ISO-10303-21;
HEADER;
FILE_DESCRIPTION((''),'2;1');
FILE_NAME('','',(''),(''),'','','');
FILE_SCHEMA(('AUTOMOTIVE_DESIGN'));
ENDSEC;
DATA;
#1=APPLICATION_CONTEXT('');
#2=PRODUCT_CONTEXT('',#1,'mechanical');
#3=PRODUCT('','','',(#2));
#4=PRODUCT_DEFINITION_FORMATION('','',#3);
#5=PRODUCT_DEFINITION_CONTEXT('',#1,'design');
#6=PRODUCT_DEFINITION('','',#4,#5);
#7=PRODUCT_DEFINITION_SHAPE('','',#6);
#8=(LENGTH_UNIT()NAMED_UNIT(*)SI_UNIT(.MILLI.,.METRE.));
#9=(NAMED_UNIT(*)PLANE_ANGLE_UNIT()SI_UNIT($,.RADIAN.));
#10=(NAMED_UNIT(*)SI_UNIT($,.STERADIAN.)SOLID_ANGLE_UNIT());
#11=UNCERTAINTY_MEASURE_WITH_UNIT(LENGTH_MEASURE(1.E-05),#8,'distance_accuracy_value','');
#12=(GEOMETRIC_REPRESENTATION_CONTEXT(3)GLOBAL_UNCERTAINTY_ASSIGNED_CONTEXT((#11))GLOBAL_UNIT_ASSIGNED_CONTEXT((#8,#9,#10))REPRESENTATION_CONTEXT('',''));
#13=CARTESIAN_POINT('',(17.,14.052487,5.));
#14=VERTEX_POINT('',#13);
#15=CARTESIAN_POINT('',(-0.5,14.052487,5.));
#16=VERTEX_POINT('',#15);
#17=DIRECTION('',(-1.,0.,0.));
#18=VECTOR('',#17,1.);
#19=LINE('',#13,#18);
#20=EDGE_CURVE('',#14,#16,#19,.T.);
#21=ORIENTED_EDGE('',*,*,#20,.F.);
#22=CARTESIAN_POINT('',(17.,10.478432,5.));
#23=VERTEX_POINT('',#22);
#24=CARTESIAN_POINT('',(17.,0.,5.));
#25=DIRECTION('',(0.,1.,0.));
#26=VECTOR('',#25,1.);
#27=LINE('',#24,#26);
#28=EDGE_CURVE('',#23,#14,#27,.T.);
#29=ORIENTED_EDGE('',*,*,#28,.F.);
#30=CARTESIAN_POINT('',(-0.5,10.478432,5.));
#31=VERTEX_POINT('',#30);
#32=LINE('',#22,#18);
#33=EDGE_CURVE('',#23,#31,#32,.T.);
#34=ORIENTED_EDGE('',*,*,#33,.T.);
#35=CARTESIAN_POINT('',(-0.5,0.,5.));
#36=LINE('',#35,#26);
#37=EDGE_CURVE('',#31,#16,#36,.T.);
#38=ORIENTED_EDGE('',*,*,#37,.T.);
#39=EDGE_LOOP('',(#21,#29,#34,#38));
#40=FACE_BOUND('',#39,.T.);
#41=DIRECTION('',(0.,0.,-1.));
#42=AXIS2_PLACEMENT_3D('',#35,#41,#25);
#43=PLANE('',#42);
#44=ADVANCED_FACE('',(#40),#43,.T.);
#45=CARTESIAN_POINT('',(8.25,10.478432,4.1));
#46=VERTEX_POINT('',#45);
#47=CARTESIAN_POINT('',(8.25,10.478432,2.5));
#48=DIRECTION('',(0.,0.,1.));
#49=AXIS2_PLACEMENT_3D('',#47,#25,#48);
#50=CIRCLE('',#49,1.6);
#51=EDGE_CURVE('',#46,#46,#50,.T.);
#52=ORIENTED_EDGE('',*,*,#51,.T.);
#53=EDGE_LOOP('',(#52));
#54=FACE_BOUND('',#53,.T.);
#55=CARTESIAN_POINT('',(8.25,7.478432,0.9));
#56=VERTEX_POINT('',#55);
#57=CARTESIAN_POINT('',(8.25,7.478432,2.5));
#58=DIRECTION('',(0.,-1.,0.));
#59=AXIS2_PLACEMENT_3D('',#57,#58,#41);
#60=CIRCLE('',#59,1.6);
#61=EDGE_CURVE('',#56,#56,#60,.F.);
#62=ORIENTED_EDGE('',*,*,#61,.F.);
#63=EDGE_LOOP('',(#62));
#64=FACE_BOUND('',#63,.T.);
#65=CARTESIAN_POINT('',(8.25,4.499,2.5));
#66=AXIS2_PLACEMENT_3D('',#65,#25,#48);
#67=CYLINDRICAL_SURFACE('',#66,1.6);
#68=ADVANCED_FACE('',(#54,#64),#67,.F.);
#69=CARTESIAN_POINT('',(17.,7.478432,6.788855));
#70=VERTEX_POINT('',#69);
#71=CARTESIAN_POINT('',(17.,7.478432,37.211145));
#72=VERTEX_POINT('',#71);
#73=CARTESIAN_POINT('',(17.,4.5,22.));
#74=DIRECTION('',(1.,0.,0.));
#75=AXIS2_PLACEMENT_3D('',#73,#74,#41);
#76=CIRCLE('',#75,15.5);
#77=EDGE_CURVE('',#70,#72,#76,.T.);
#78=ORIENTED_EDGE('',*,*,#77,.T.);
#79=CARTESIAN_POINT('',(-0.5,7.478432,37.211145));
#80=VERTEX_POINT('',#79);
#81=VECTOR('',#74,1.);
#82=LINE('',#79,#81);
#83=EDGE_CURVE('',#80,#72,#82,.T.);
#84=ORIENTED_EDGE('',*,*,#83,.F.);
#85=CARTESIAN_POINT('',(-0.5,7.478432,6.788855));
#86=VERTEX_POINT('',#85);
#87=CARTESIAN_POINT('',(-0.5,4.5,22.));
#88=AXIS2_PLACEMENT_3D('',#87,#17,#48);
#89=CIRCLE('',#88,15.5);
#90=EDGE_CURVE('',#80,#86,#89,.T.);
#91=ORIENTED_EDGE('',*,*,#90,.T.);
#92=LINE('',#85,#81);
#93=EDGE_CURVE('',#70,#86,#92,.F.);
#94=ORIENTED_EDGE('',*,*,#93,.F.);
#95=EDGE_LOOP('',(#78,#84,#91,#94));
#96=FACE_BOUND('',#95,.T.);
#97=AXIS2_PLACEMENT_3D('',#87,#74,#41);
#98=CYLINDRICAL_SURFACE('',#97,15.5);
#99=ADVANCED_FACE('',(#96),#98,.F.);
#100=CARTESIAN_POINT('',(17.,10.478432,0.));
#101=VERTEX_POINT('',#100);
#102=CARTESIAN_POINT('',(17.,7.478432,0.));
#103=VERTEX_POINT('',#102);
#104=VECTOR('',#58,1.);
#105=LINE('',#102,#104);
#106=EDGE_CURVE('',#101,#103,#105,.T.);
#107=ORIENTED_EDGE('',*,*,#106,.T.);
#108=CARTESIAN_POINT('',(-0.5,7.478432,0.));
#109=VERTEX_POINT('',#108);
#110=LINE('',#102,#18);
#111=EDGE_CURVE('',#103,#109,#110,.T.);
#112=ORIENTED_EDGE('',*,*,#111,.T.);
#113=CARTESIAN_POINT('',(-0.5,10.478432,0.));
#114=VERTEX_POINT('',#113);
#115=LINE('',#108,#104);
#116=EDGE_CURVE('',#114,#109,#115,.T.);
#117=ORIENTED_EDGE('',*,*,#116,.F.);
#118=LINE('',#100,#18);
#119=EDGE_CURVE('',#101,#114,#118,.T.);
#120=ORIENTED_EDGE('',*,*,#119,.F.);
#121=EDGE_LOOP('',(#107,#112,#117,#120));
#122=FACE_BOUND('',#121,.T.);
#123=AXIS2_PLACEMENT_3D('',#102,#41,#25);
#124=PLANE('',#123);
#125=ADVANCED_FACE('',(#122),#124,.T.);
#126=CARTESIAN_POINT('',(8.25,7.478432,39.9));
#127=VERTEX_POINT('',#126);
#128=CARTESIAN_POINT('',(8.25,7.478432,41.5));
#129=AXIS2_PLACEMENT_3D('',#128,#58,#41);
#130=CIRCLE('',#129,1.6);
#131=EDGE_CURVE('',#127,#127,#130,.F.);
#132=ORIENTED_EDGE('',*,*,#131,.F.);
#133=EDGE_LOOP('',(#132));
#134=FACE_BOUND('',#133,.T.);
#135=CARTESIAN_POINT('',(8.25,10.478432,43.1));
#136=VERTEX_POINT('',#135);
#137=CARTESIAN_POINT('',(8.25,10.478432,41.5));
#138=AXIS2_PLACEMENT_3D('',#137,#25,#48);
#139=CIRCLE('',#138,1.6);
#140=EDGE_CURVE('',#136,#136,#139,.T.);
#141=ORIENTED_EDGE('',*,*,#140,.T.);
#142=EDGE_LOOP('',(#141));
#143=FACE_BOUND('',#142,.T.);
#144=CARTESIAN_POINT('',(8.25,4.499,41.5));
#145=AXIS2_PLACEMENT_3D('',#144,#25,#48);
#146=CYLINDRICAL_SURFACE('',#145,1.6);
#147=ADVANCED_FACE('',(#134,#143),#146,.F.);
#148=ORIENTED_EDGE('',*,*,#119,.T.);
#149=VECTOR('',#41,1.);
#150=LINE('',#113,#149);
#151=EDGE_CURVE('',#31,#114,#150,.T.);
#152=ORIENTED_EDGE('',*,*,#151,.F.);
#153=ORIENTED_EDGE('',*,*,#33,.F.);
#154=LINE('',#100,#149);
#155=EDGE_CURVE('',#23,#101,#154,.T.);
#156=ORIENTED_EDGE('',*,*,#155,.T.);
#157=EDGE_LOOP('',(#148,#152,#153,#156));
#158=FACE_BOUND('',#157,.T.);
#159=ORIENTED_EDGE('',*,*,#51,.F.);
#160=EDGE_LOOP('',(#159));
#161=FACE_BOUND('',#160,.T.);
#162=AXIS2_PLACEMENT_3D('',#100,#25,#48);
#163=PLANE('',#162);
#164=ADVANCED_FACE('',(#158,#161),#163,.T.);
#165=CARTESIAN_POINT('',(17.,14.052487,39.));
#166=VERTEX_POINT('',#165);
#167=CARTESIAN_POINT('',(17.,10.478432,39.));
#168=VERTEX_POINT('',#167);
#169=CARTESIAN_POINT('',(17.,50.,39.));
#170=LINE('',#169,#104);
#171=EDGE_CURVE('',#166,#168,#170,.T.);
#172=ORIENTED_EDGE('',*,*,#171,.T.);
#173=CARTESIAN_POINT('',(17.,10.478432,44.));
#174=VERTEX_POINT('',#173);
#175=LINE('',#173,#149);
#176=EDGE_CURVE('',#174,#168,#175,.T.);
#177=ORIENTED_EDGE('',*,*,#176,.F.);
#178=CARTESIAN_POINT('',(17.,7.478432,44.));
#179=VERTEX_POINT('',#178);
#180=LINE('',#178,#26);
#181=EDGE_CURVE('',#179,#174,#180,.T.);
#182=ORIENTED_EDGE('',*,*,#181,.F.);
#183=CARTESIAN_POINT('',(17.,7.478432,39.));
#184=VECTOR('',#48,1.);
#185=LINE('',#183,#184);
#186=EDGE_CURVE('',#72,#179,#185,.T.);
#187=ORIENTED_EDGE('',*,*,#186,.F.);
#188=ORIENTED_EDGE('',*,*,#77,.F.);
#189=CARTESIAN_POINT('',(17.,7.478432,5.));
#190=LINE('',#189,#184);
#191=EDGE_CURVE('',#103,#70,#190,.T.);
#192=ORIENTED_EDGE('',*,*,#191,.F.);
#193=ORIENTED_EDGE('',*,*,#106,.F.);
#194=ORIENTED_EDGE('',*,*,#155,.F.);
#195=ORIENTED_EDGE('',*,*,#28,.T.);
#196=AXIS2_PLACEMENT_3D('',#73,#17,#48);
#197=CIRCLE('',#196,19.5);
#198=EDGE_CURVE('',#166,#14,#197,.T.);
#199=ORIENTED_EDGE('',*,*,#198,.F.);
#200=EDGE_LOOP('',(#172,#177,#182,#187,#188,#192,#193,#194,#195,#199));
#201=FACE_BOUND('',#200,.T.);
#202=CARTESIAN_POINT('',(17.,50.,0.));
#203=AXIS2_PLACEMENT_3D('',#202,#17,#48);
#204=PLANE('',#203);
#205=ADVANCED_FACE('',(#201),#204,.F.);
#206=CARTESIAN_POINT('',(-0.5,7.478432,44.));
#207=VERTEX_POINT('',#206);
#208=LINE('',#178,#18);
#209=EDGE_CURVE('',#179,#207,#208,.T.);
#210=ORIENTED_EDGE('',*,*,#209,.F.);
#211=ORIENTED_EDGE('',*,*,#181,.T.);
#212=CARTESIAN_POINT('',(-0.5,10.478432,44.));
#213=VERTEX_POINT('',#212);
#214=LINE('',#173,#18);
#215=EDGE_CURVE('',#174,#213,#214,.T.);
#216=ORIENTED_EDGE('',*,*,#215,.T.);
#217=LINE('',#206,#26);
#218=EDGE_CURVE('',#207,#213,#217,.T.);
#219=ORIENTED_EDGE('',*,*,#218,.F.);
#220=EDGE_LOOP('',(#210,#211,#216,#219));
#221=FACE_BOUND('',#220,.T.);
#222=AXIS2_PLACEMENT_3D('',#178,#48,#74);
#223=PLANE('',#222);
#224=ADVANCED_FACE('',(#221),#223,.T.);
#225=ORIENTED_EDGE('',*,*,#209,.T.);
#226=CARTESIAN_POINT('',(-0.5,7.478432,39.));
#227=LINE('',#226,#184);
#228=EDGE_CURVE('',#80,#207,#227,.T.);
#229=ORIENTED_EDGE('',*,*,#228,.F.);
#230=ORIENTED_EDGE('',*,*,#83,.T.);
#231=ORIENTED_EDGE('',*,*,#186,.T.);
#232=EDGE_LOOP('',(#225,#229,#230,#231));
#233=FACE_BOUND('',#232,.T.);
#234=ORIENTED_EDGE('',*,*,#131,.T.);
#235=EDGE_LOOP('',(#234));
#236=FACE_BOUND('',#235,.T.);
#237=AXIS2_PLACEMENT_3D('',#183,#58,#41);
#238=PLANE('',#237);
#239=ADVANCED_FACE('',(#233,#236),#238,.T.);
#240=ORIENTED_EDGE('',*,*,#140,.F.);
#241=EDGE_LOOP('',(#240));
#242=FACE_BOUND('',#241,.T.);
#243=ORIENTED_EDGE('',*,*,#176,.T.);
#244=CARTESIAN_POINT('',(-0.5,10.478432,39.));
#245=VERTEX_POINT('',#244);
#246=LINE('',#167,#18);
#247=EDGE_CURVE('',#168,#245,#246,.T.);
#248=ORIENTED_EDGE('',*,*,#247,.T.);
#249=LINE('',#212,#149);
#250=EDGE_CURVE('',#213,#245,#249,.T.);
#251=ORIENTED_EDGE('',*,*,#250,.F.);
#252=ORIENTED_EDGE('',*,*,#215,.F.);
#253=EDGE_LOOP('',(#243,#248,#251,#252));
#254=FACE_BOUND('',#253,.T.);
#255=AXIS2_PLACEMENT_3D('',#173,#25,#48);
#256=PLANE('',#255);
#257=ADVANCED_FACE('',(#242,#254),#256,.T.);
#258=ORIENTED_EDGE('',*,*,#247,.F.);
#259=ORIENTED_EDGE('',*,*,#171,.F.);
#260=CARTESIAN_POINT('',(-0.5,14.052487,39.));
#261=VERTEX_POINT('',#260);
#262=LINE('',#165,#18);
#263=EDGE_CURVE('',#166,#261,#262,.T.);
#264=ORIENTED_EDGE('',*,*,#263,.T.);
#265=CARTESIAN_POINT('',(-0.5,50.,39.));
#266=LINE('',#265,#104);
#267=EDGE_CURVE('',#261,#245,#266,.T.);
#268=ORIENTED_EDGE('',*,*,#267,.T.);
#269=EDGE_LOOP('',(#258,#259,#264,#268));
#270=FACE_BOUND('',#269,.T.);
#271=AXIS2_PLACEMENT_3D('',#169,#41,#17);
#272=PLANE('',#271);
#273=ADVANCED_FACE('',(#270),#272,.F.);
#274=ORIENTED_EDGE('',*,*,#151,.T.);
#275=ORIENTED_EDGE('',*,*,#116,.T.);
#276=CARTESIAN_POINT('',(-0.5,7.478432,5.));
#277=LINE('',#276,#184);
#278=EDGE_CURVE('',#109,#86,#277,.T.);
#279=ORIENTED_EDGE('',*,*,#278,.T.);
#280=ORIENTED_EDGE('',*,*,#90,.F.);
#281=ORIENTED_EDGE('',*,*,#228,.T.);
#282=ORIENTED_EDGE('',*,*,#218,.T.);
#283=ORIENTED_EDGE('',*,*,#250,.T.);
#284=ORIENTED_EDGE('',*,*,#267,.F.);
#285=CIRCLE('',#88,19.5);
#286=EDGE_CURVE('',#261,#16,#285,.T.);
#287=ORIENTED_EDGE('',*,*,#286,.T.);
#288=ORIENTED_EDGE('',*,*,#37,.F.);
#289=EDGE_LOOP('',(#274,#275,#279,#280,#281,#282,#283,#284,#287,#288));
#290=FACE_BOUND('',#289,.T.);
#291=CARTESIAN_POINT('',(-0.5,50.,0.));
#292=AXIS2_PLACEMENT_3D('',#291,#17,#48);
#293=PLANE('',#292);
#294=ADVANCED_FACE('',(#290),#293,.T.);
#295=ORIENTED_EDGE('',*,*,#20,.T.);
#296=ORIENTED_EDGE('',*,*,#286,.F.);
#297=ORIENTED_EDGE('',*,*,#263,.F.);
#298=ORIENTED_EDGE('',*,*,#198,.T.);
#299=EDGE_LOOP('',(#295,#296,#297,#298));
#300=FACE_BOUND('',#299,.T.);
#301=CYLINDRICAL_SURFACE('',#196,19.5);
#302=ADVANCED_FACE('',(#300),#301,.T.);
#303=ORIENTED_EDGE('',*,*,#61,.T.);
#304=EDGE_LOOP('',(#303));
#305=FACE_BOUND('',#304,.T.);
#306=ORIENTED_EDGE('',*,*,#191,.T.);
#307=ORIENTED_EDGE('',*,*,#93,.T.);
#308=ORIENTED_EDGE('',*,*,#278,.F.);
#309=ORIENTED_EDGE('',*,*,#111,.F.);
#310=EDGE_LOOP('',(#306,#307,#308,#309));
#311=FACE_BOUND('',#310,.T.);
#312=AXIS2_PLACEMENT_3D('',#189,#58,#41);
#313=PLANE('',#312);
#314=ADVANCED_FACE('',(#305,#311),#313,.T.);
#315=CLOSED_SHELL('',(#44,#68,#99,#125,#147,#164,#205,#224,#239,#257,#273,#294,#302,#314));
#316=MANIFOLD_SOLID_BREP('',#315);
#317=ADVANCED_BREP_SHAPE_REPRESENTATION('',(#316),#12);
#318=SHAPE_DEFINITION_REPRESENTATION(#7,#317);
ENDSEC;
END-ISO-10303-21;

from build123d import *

# Parameters (mm, degrees)
SKETCH_1_W               = 17
SKETCH_1_H               = 40
EXTRUDE_1_DEPTH          = 50
SKETCH_2_W               = 17
SKETCH_2_H               = 1
CUT_EXTRUDE_1_DEPTH      = 67.2495283
SKETCH_4_W               = 0.5
SKETCH_4_H               = 39
EXTRUDE_2_DEPTH          = 50
SKETCH_5_R               = 15.5
CUT_EXTRUDE_2_DEPTH      = 17.5
CUT_EXTRUDE_3_DEPTH      = 17.5
CUT_EXTRUDE_4_DEPTH      = 3
CUT_EXTRUDE_START        = -64
CUT_EXTRUDE_7_DEPTH      = 64
SKETCH_9_W               = 5
SKETCH_9_H               = 3
EXTRUDE_3_DEPTH          = 17.5
CUT_EXTRUDE_8_DEPTH      = 54.087192429
CUT_EXTRUDE_8_DEPTH_BACK = 54.087192429
CUT_EXTRUDE_10_REACH     = 51.07
CUT_EXTRUDE_11_REACH     = 55.087


with BuildPart() as part:
    # 草图1 → 凸台-拉伸1 (new body)
    with BuildSketch(Plane(origin=(0, 0, 0), x_dir=(1, 0, 0), z_dir=(0, 1, 0))):
        with Locations((8.5, -20)):
            Rectangle(SKETCH_1_W, SKETCH_1_H)
    extrude(amount=EXTRUDE_1_DEPTH)

    # 草图2 → 切除-拉伸1 (cut, through all)
    with BuildSketch(Plane.XZ):
        with Locations((8.5, 39.5)):
            Rectangle(SKETCH_2_W, SKETCH_2_H)
    extrude(amount=-CUT_EXTRUDE_1_DEPTH, mode=Mode.SUBTRACT)

    # 草图4 → 凸台-拉伸2 (add)
    with BuildSketch(Plane.XZ):
        with Locations((-0.25, 19.5)):
            Rectangle(SKETCH_4_W, SKETCH_4_H)
    extrude(amount=-EXTRUDE_2_DEPTH)

    # 草图5 → 切除-拉伸2 (cut)
    with BuildSketch(Plane(origin=(17, 0, 0), x_dir=(0, 0, -1), z_dir=(1, 0, 0))):
        with Locations((-22, 4.5)):
            Circle(SKETCH_5_R)
    extrude(amount=-CUT_EXTRUDE_2_DEPTH, mode=Mode.SUBTRACT)

    # 草图6 → 切除-拉伸3 (cut)
    with BuildSketch(Plane(origin=(17, 0, 0), x_dir=(0, 0, -1), z_dir=(1, 0, 0))):
        Polygon((0, 3), (0, 24), (0, 50), (-39, 50), (-39, 24), (-22, 24), (-5, 24), (-5, 3), align=None)
    extrude(amount=-CUT_EXTRUDE_3_DEPTH, mode=Mode.SUBTRACT)

    # 草图7 → 切除-拉伸4 (cut)
    with BuildSketch(Plane(origin=(0, 3, 0), x_dir=(1, 0, 0), z_dir=(0, 1, 0))):
        with BuildLine():
            ThreePointArc((8.25, -0.9), (6.65, -2.5), (8.25, -4.1))
            Line((8.25, -4.1), (8.25, -0.9))
        make_face()
        with BuildLine():
            Line((8.25, -0.9), (8.25, -4.1))
            ThreePointArc((8.25, -4.1), (9.38137085, -3.63137085), (9.85, -2.5))
            ThreePointArc((9.85, -2.5), (9.38137085, -1.36862915), (8.25, -0.9))
        make_face()
    extrude(amount=-CUT_EXTRUDE_4_DEPTH, mode=Mode.SUBTRACT)

    # 草图8 → 切除-拉伸7 (cut)
    with BuildSketch(Plane.ZY.offset(0.5).offset(CUT_EXTRUDE_START)):
        with BuildLine():
            Line((5, 3), (5, 4.5))
            Line((5, 4.5), (-8.613521725, 4.5))
            Line((-8.613521725, 4.5), (17.256515703, -28.446816898))
            Line((17.256515703, -28.446816898), (39, 0))
            Line((39, 0), (36.832396974, 0))
            ThreePointArc((36.832396974, 0), (22, -11), (7.167603026, 0))
            Line((7.167603026, 0), (0, 0))
            Line((0, 0), (0, 3))
            Line((0, 3), (5, 3))
        make_face()
        with BuildLine():
            ThreePointArc((7.167603026, 0), (6.667809141, 2.225373998), (6.5, 4.5))
            Line((6.5, 4.5), (5, 4.5))
            Line((5, 4.5), (5, 3))
            Line((5, 3), (0, 3))
            Line((0, 3), (0, 0))
            Line((0, 0), (7.167603026, 0))
        make_face()
        with BuildLine():
            Line((37.5, 4.5), (22, 4.5))
            Line((22, 4.5), (6.5, 4.5))
            ThreePointArc((6.5, 4.5), (6.667809141, 2.225373998), (7.167603026, 0))
            ThreePointArc((7.167603026, 0), (22, -11), (36.832396974, 0))
            ThreePointArc((36.832396974, 0), (37.332190859, 2.225373998), (37.5, 4.5))
        make_face()
        with BuildLine():
            Line((6.5, 4.5), (22, 4.5))
            Line((22, 4.5), (37.5, 4.5))
            ThreePointArc((37.5, 4.5), (22, 20), (6.5, 4.5))
        make_face()
        with BuildLine():
            Line((39, 4.5), (37.5, 4.5))
            ThreePointArc((37.5, 4.5), (37.332190859, 2.225373998), (36.832396974, 0))
            Line((36.832396974, 0), (39, 0))
            Line((39, 0), (39, 4.5))
        make_face()
    extrude(amount=CUT_EXTRUDE_7_DEPTH, mode=Mode.SUBTRACT)

    # 草图9 → 凸台-拉伸3 (add)
    with BuildSketch(Plane.ZY.offset(0.5)):
        with Locations((41.5, 8.978432147)):
            Rectangle(SKETCH_9_W, SKETCH_9_H)
        with Locations((2.5, 8.978432147)):
            Rectangle(SKETCH_9_W, SKETCH_9_H)
    extrude(amount=-EXTRUDE_3_DEPTH)

    # 草图10 → 切除-拉伸8 (cut, two sides: drawn at the far end of the back side and taken through both)
    with BuildSketch(Plane.ZY.offset(0.5).offset(-CUT_EXTRUDE_8_DEPTH_BACK)):
        with BuildLine():
            Line((5, 24), (5, 14.052486587))
            ThreePointArc((5, 14.052486587), (12.151738439, 21.330381583), (22, 24))
            Line((22, 24), (5, 24))
        make_face()
        with BuildLine():
            Line((39, 24), (22, 24))
            ThreePointArc((22, 24), (31.848261561, 21.330381583), (39, 14.052486587))
            Line((39, 14.052486587), (39, 24))
        make_face()
    extrude(amount=CUT_EXTRUDE_8_DEPTH + CUT_EXTRUDE_8_DEPTH_BACK, mode=Mode.SUBTRACT)

    # 草图12 → 切除-拉伸10 (cut, up to next)
    with BuildSketch(Plane(origin=(0, 10.478432147, 0), x_dir=(1, 0, 0), z_dir=(0, 1, 0)), mode=Mode.PRIVATE) as cut_extrude_10_sk1:
        with BuildLine():
            ThreePointArc((9.85, -41.5), (9.38137085, -40.36862915), (8.25, -39.9))
            Line((8.25, -39.9), (8.25, -43.1))
            ThreePointArc((8.25, -43.1), (9.38137085, -42.63137085), (9.85, -41.5))
        make_face()
    cut_extrude_10_tool1 = extrude(cut_extrude_10_sk1.sketch, amount=-CUT_EXTRUDE_10_REACH, mode=Mode.PRIVATE) & part.part
    # 草图12 → 切除-拉伸10 (cut, up to next)
    with BuildSketch(Plane(origin=(0, 10.478432147, 0), x_dir=(1, 0, 0), z_dir=(0, 1, 0)), mode=Mode.PRIVATE) as cut_extrude_10_sk2:
        with BuildLine():
            Line((8.25, -43.1), (8.25, -39.9))
            ThreePointArc((8.25, -39.9), (6.65, -41.5), (8.25, -43.1))
        make_face()
    cut_extrude_10_tool2 = extrude(cut_extrude_10_sk2.sketch, amount=-CUT_EXTRUDE_10_REACH, mode=Mode.PRIVATE) & part.part
    # 草图12 → 切除-拉伸10 (cut, up to next)
    with BuildSketch(Plane(origin=(0, 10.478432147, 0), x_dir=(1, 0, 0), z_dir=(0, 1, 0)), mode=Mode.PRIVATE) as cut_extrude_10_sk3:
        with BuildLine():
            ThreePointArc((9.85, -41.5), (9.38137085, -40.36862915), (8.25, -39.9))
            Line((8.25, -39.9), (8.25, -43.1))
            ThreePointArc((8.25, -43.1), (9.38137085, -42.63137085), (9.85, -41.5))
        make_face()
    cut_extrude_10_tool3 = extrude(cut_extrude_10_sk3.sketch, amount=-CUT_EXTRUDE_10_REACH, mode=Mode.PRIVATE) & part.part
    # 草图12 → 切除-拉伸10 (cut, up to next)
    with BuildSketch(Plane(origin=(0, 10.478432147, 0), x_dir=(1, 0, 0), z_dir=(0, 1, 0)), mode=Mode.PRIVATE) as cut_extrude_10_sk4:
        with BuildLine():
            Line((8.25, -43.1), (8.25, -39.9))
            ThreePointArc((8.25, -39.9), (6.65, -41.5), (8.25, -43.1))
        make_face()
    cut_extrude_10_tool4 = extrude(cut_extrude_10_sk4.sketch, amount=-CUT_EXTRUDE_10_REACH, mode=Mode.PRIVATE) & part.part
    # 草图12 → 切除-拉伸10 (cut, up to next)
    with BuildSketch(Plane(origin=(0, 10.478432147, 0), x_dir=(1, 0, 0), z_dir=(0, 1, 0)), mode=Mode.PRIVATE) as cut_extrude_10_sk5:
        with BuildLine():
            ThreePointArc((9.85, -2.5), (9.38137085, -1.36862915), (8.25, -0.9))
            Line((8.25, -0.9), (8.25, -4.1))
            ThreePointArc((8.25, -4.1), (9.38137085, -3.63137085), (9.85, -2.5))
        make_face()
    cut_extrude_10_tool5 = extrude(cut_extrude_10_sk5.sketch, amount=-CUT_EXTRUDE_10_REACH, mode=Mode.PRIVATE) & part.part
    # 草图12 → 切除-拉伸10 (cut, up to next)
    with BuildSketch(Plane(origin=(0, 10.478432147, 0), x_dir=(1, 0, 0), z_dir=(0, 1, 0)), mode=Mode.PRIVATE) as cut_extrude_10_sk6:
        with BuildLine():
            Line((8.25, -4.1), (8.25, -0.9))
            ThreePointArc((8.25, -0.9), (6.65, -2.5), (8.25, -4.1))
        make_face()
    cut_extrude_10_tool6 = extrude(cut_extrude_10_sk6.sketch, amount=-CUT_EXTRUDE_10_REACH, mode=Mode.PRIVATE) & part.part
    # 草图12 → 切除-拉伸10 (cut, up to next)
    with BuildSketch(Plane(origin=(0, 10.478432147, 0), x_dir=(1, 0, 0), z_dir=(0, 1, 0)), mode=Mode.PRIVATE) as cut_extrude_10_sk7:
        with BuildLine():
            ThreePointArc((9.85, -2.5), (9.38137085, -1.36862915), (8.25, -0.9))
            Line((8.25, -0.9), (8.25, -4.1))
            ThreePointArc((8.25, -4.1), (9.38137085, -3.63137085), (9.85, -2.5))
        make_face()
    cut_extrude_10_tool7 = extrude(cut_extrude_10_sk7.sketch, amount=-CUT_EXTRUDE_10_REACH, mode=Mode.PRIVATE) & part.part
    # 草图12 → 切除-拉伸10 (cut, up to next)
    with BuildSketch(Plane(origin=(0, 10.478432147, 0), x_dir=(1, 0, 0), z_dir=(0, 1, 0)), mode=Mode.PRIVATE) as cut_extrude_10_sk8:
        with BuildLine():
            Line((8.25, -4.1), (8.25, -0.9))
            ThreePointArc((8.25, -0.9), (6.65, -2.5), (8.25, -4.1))
        make_face()
    cut_extrude_10_tool8 = extrude(cut_extrude_10_sk8.sketch, amount=-CUT_EXTRUDE_10_REACH, mode=Mode.PRIVATE) & part.part
    add(cut_extrude_10_tool1.solids().sort_by_distance((8.929061, 10.478432, 41.5))[0], mode=Mode.SUBTRACT)
    add(cut_extrude_10_tool2.solids().sort_by_distance((7.570939, 10.478432, 41.5))[0], mode=Mode.SUBTRACT)
    add(cut_extrude_10_tool3.solids().sort_by_distance((8.929061, 10.478432, 41.5))[0], mode=Mode.SUBTRACT)
    add(cut_extrude_10_tool4.solids().sort_by_distance((7.570939, 10.478432, 41.5))[0], mode=Mode.SUBTRACT)
    add(cut_extrude_10_tool5.solids().sort_by_distance((8.929061, 10.478432, 2.5))[0], mode=Mode.SUBTRACT)
    add(cut_extrude_10_tool6.solids().sort_by_distance((7.570939, 10.478432, 2.5))[0], mode=Mode.SUBTRACT)
    add(cut_extrude_10_tool7.solids().sort_by_distance((8.929061, 10.478432, 2.5))[0], mode=Mode.SUBTRACT)
    add(cut_extrude_10_tool8.solids().sort_by_distance((7.570939, 10.478432, 2.5))[0], mode=Mode.SUBTRACT)

    # 草图13 → 切除-拉伸11 (cut, up to next)
    with BuildSketch(Plane(origin=(17, 0, 0), x_dir=(0, 0, -1), z_dir=(1, 0, 0)), mode=Mode.PRIVATE) as cut_extrude_11_sk1:
        Polygon((-39, 7.478432147), (-37.21114532, 7.478432147), (-37.5, 4.5), (-39, 4.5), align=None)
    cut_extrude_11_tool1 = extrude(cut_extrude_11_sk1.sketch, amount=-CUT_EXTRUDE_11_REACH, mode=Mode.PRIVATE) & part.part
    # 草图13 → 切除-拉伸11 (cut, up to next)
    with BuildSketch(Plane(origin=(17, 0, 0), x_dir=(0, 0, -1), z_dir=(1, 0, 0)), mode=Mode.PRIVATE) as cut_extrude_11_sk2:
        Polygon((-5, 7.478432147), (-6.78885468, 7.478432147), (-6.5, 4.5), (-5, 4.5), align=None)
    cut_extrude_11_tool2 = extrude(cut_extrude_11_sk2.sketch, amount=-CUT_EXTRUDE_11_REACH, mode=Mode.PRIVATE) & part.part
    add(cut_extrude_11_tool1.solids().sort_by_distance((17, 6.032815, 38.175672))[0], mode=Mode.SUBTRACT)
    add(cut_extrude_11_tool2.solids().sort_by_distance((17, 6.032815, 5.824328))[0], mode=Mode.SUBTRACT)


solid = part.part
